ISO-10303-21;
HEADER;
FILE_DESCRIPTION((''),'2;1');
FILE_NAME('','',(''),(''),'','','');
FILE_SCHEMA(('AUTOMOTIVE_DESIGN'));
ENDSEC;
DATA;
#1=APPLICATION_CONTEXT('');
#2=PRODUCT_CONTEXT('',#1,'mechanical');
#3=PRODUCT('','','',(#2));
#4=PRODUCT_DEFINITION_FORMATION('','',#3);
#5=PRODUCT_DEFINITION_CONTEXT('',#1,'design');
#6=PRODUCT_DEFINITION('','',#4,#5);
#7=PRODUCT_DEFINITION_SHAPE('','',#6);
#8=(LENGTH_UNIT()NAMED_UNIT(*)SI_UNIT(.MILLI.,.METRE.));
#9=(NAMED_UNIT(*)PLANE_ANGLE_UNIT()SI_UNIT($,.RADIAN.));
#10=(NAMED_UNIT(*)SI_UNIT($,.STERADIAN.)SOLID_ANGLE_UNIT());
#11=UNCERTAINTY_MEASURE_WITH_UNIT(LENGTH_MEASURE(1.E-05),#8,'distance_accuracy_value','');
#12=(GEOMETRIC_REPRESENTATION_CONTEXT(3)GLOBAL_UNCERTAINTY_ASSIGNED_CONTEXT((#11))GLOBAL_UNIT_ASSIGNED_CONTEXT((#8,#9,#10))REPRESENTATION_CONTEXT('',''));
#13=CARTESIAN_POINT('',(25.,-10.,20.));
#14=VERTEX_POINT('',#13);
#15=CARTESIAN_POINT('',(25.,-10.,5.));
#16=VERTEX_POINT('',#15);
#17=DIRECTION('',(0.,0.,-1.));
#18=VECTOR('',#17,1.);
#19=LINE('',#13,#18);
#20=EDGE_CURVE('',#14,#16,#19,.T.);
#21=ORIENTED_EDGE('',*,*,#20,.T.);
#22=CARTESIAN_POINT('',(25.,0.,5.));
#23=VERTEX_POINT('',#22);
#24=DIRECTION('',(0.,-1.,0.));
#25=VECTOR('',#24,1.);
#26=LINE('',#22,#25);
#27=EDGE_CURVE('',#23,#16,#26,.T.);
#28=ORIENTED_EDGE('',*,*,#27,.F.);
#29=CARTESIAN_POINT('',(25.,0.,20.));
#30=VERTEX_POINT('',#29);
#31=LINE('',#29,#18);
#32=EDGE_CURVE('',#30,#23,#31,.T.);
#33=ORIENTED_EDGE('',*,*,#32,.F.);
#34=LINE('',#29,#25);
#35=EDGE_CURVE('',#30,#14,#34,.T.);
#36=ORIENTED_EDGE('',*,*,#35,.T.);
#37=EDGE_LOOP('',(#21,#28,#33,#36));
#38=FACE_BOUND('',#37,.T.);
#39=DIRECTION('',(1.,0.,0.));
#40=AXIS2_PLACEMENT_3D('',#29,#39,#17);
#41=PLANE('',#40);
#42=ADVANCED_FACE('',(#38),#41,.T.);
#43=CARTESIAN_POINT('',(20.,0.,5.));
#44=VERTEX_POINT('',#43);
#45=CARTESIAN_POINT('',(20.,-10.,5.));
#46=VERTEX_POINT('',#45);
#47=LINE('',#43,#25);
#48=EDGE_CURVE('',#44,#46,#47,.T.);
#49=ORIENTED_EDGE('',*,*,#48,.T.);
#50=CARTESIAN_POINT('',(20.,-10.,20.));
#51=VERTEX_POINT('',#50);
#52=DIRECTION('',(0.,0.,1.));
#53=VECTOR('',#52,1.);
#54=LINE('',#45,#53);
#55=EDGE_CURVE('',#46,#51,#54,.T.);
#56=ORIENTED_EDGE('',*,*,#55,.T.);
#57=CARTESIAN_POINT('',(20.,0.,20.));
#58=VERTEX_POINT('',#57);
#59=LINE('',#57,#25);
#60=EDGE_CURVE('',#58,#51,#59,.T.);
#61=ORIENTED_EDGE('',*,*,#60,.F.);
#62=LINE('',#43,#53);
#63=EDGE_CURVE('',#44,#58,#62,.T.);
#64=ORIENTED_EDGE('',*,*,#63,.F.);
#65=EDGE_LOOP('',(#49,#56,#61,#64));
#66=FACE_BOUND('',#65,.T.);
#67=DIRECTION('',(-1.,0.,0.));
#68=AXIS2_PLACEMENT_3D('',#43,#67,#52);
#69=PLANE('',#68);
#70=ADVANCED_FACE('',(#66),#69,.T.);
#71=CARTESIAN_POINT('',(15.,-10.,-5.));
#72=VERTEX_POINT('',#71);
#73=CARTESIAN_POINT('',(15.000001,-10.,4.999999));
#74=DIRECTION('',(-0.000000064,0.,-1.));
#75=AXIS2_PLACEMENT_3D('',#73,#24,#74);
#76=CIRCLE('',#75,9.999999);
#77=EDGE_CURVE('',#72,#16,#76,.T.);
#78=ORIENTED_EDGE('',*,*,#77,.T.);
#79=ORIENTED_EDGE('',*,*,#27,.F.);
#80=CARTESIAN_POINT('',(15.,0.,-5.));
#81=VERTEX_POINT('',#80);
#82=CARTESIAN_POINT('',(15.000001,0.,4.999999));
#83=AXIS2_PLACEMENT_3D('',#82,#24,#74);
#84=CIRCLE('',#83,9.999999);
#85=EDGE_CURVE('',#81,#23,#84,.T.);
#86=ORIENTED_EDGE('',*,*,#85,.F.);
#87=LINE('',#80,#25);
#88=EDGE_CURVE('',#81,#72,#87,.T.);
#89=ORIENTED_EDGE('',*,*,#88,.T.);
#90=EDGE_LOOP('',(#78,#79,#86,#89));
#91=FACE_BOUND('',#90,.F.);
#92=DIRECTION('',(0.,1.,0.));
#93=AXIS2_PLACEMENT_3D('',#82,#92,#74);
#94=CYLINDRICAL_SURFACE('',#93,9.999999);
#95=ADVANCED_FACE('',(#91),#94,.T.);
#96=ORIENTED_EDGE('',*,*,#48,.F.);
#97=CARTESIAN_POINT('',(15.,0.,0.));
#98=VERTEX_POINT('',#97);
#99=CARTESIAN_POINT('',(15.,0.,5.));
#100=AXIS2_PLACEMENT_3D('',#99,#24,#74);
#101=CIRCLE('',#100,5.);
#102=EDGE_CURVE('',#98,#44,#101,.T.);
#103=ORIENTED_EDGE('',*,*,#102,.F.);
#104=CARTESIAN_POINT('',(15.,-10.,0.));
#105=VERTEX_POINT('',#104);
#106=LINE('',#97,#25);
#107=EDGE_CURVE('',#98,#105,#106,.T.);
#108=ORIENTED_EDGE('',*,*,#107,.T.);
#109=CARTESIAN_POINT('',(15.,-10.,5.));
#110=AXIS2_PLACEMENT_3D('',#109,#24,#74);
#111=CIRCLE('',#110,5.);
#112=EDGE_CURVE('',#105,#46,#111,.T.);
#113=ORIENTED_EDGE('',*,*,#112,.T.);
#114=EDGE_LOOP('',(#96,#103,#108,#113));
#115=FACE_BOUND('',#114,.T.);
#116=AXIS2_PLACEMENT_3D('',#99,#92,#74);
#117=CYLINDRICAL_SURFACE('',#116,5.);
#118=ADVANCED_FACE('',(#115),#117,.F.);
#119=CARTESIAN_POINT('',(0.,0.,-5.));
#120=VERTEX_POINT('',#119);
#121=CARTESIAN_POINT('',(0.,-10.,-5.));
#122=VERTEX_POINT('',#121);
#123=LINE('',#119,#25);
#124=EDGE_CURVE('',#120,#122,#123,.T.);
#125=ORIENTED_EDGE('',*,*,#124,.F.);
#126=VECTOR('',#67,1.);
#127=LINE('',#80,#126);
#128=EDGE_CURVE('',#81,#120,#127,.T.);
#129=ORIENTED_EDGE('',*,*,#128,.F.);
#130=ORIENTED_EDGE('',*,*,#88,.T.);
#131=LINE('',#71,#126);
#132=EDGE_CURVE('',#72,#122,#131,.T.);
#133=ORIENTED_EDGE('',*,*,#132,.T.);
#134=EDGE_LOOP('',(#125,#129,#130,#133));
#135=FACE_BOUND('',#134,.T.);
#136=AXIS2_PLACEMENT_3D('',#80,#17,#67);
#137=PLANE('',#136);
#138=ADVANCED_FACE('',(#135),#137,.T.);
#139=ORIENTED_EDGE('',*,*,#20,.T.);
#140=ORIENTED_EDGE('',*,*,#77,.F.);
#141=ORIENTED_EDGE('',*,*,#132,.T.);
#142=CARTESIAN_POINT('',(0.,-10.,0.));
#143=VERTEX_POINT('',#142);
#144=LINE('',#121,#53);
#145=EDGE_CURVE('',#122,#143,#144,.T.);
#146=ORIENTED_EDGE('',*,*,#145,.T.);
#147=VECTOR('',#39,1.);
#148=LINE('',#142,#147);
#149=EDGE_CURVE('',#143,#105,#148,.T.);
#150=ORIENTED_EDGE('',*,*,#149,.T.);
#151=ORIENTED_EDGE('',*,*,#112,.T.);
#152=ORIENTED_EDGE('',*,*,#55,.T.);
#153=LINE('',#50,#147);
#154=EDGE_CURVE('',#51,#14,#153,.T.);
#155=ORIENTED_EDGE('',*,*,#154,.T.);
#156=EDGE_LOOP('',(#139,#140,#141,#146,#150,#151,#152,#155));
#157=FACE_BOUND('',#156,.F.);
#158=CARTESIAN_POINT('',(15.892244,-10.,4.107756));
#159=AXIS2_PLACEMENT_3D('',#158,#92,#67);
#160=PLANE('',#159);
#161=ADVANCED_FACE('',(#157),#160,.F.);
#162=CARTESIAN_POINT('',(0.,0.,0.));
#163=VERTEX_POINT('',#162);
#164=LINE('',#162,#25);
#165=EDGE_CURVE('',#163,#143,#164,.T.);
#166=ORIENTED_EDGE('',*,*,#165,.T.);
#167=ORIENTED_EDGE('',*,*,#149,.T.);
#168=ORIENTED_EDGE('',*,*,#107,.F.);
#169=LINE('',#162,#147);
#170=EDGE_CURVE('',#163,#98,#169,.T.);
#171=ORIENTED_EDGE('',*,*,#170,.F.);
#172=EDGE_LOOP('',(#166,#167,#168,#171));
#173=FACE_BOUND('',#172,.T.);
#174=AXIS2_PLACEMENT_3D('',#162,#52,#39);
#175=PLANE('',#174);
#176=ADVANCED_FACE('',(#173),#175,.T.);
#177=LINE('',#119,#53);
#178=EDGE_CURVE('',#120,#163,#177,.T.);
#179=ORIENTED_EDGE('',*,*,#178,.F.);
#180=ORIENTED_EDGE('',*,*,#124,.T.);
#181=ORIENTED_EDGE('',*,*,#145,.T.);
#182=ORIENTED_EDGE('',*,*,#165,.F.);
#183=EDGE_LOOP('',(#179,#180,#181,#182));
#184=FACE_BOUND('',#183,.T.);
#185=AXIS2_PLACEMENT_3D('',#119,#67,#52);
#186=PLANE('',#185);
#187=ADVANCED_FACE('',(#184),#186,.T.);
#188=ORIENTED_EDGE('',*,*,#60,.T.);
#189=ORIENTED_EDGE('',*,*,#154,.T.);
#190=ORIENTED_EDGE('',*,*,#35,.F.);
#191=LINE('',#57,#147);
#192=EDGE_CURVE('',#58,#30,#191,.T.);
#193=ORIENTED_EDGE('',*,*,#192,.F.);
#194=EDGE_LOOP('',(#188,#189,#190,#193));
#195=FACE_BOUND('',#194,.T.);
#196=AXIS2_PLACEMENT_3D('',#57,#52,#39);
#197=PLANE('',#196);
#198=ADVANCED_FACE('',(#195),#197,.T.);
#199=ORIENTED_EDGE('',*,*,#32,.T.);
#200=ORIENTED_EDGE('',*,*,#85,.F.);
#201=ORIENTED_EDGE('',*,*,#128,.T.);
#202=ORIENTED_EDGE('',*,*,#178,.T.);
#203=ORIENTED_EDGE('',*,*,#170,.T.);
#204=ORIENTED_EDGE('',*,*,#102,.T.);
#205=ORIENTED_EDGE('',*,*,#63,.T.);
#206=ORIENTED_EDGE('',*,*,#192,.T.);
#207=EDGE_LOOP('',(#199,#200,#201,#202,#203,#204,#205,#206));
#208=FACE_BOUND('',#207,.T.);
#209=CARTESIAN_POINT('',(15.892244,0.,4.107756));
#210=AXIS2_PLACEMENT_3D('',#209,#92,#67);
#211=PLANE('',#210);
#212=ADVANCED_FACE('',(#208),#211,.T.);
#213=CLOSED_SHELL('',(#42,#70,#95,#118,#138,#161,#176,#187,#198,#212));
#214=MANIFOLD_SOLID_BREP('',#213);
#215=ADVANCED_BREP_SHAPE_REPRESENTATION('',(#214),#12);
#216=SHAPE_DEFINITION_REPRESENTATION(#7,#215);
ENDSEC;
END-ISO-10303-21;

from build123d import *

# Parameters (mm, degrees)
PAD_DEPTH = 10


with BuildPart() as part:
    # Sketch → Pad (new body)
    with BuildSketch(Plane.XZ):
        with BuildLine():
            Line((0, 0), (15, 0))
            ThreePointArc((15, 0), (18.535534, 1.464466), (20, 5))
            Line((20, 5), (20, 20))
            Line((20, 20), (25, 20))
            Line((25, 20), (25, 5))
            ThreePointArc((15, -5), (22.071068, -2.071068), (25, 5))
            Line((15, -5), (0, -5))
            Line((0, -5), (0, 0))
        make_face()
    extrude(amount=PAD_DEPTH)


solid = part.part
